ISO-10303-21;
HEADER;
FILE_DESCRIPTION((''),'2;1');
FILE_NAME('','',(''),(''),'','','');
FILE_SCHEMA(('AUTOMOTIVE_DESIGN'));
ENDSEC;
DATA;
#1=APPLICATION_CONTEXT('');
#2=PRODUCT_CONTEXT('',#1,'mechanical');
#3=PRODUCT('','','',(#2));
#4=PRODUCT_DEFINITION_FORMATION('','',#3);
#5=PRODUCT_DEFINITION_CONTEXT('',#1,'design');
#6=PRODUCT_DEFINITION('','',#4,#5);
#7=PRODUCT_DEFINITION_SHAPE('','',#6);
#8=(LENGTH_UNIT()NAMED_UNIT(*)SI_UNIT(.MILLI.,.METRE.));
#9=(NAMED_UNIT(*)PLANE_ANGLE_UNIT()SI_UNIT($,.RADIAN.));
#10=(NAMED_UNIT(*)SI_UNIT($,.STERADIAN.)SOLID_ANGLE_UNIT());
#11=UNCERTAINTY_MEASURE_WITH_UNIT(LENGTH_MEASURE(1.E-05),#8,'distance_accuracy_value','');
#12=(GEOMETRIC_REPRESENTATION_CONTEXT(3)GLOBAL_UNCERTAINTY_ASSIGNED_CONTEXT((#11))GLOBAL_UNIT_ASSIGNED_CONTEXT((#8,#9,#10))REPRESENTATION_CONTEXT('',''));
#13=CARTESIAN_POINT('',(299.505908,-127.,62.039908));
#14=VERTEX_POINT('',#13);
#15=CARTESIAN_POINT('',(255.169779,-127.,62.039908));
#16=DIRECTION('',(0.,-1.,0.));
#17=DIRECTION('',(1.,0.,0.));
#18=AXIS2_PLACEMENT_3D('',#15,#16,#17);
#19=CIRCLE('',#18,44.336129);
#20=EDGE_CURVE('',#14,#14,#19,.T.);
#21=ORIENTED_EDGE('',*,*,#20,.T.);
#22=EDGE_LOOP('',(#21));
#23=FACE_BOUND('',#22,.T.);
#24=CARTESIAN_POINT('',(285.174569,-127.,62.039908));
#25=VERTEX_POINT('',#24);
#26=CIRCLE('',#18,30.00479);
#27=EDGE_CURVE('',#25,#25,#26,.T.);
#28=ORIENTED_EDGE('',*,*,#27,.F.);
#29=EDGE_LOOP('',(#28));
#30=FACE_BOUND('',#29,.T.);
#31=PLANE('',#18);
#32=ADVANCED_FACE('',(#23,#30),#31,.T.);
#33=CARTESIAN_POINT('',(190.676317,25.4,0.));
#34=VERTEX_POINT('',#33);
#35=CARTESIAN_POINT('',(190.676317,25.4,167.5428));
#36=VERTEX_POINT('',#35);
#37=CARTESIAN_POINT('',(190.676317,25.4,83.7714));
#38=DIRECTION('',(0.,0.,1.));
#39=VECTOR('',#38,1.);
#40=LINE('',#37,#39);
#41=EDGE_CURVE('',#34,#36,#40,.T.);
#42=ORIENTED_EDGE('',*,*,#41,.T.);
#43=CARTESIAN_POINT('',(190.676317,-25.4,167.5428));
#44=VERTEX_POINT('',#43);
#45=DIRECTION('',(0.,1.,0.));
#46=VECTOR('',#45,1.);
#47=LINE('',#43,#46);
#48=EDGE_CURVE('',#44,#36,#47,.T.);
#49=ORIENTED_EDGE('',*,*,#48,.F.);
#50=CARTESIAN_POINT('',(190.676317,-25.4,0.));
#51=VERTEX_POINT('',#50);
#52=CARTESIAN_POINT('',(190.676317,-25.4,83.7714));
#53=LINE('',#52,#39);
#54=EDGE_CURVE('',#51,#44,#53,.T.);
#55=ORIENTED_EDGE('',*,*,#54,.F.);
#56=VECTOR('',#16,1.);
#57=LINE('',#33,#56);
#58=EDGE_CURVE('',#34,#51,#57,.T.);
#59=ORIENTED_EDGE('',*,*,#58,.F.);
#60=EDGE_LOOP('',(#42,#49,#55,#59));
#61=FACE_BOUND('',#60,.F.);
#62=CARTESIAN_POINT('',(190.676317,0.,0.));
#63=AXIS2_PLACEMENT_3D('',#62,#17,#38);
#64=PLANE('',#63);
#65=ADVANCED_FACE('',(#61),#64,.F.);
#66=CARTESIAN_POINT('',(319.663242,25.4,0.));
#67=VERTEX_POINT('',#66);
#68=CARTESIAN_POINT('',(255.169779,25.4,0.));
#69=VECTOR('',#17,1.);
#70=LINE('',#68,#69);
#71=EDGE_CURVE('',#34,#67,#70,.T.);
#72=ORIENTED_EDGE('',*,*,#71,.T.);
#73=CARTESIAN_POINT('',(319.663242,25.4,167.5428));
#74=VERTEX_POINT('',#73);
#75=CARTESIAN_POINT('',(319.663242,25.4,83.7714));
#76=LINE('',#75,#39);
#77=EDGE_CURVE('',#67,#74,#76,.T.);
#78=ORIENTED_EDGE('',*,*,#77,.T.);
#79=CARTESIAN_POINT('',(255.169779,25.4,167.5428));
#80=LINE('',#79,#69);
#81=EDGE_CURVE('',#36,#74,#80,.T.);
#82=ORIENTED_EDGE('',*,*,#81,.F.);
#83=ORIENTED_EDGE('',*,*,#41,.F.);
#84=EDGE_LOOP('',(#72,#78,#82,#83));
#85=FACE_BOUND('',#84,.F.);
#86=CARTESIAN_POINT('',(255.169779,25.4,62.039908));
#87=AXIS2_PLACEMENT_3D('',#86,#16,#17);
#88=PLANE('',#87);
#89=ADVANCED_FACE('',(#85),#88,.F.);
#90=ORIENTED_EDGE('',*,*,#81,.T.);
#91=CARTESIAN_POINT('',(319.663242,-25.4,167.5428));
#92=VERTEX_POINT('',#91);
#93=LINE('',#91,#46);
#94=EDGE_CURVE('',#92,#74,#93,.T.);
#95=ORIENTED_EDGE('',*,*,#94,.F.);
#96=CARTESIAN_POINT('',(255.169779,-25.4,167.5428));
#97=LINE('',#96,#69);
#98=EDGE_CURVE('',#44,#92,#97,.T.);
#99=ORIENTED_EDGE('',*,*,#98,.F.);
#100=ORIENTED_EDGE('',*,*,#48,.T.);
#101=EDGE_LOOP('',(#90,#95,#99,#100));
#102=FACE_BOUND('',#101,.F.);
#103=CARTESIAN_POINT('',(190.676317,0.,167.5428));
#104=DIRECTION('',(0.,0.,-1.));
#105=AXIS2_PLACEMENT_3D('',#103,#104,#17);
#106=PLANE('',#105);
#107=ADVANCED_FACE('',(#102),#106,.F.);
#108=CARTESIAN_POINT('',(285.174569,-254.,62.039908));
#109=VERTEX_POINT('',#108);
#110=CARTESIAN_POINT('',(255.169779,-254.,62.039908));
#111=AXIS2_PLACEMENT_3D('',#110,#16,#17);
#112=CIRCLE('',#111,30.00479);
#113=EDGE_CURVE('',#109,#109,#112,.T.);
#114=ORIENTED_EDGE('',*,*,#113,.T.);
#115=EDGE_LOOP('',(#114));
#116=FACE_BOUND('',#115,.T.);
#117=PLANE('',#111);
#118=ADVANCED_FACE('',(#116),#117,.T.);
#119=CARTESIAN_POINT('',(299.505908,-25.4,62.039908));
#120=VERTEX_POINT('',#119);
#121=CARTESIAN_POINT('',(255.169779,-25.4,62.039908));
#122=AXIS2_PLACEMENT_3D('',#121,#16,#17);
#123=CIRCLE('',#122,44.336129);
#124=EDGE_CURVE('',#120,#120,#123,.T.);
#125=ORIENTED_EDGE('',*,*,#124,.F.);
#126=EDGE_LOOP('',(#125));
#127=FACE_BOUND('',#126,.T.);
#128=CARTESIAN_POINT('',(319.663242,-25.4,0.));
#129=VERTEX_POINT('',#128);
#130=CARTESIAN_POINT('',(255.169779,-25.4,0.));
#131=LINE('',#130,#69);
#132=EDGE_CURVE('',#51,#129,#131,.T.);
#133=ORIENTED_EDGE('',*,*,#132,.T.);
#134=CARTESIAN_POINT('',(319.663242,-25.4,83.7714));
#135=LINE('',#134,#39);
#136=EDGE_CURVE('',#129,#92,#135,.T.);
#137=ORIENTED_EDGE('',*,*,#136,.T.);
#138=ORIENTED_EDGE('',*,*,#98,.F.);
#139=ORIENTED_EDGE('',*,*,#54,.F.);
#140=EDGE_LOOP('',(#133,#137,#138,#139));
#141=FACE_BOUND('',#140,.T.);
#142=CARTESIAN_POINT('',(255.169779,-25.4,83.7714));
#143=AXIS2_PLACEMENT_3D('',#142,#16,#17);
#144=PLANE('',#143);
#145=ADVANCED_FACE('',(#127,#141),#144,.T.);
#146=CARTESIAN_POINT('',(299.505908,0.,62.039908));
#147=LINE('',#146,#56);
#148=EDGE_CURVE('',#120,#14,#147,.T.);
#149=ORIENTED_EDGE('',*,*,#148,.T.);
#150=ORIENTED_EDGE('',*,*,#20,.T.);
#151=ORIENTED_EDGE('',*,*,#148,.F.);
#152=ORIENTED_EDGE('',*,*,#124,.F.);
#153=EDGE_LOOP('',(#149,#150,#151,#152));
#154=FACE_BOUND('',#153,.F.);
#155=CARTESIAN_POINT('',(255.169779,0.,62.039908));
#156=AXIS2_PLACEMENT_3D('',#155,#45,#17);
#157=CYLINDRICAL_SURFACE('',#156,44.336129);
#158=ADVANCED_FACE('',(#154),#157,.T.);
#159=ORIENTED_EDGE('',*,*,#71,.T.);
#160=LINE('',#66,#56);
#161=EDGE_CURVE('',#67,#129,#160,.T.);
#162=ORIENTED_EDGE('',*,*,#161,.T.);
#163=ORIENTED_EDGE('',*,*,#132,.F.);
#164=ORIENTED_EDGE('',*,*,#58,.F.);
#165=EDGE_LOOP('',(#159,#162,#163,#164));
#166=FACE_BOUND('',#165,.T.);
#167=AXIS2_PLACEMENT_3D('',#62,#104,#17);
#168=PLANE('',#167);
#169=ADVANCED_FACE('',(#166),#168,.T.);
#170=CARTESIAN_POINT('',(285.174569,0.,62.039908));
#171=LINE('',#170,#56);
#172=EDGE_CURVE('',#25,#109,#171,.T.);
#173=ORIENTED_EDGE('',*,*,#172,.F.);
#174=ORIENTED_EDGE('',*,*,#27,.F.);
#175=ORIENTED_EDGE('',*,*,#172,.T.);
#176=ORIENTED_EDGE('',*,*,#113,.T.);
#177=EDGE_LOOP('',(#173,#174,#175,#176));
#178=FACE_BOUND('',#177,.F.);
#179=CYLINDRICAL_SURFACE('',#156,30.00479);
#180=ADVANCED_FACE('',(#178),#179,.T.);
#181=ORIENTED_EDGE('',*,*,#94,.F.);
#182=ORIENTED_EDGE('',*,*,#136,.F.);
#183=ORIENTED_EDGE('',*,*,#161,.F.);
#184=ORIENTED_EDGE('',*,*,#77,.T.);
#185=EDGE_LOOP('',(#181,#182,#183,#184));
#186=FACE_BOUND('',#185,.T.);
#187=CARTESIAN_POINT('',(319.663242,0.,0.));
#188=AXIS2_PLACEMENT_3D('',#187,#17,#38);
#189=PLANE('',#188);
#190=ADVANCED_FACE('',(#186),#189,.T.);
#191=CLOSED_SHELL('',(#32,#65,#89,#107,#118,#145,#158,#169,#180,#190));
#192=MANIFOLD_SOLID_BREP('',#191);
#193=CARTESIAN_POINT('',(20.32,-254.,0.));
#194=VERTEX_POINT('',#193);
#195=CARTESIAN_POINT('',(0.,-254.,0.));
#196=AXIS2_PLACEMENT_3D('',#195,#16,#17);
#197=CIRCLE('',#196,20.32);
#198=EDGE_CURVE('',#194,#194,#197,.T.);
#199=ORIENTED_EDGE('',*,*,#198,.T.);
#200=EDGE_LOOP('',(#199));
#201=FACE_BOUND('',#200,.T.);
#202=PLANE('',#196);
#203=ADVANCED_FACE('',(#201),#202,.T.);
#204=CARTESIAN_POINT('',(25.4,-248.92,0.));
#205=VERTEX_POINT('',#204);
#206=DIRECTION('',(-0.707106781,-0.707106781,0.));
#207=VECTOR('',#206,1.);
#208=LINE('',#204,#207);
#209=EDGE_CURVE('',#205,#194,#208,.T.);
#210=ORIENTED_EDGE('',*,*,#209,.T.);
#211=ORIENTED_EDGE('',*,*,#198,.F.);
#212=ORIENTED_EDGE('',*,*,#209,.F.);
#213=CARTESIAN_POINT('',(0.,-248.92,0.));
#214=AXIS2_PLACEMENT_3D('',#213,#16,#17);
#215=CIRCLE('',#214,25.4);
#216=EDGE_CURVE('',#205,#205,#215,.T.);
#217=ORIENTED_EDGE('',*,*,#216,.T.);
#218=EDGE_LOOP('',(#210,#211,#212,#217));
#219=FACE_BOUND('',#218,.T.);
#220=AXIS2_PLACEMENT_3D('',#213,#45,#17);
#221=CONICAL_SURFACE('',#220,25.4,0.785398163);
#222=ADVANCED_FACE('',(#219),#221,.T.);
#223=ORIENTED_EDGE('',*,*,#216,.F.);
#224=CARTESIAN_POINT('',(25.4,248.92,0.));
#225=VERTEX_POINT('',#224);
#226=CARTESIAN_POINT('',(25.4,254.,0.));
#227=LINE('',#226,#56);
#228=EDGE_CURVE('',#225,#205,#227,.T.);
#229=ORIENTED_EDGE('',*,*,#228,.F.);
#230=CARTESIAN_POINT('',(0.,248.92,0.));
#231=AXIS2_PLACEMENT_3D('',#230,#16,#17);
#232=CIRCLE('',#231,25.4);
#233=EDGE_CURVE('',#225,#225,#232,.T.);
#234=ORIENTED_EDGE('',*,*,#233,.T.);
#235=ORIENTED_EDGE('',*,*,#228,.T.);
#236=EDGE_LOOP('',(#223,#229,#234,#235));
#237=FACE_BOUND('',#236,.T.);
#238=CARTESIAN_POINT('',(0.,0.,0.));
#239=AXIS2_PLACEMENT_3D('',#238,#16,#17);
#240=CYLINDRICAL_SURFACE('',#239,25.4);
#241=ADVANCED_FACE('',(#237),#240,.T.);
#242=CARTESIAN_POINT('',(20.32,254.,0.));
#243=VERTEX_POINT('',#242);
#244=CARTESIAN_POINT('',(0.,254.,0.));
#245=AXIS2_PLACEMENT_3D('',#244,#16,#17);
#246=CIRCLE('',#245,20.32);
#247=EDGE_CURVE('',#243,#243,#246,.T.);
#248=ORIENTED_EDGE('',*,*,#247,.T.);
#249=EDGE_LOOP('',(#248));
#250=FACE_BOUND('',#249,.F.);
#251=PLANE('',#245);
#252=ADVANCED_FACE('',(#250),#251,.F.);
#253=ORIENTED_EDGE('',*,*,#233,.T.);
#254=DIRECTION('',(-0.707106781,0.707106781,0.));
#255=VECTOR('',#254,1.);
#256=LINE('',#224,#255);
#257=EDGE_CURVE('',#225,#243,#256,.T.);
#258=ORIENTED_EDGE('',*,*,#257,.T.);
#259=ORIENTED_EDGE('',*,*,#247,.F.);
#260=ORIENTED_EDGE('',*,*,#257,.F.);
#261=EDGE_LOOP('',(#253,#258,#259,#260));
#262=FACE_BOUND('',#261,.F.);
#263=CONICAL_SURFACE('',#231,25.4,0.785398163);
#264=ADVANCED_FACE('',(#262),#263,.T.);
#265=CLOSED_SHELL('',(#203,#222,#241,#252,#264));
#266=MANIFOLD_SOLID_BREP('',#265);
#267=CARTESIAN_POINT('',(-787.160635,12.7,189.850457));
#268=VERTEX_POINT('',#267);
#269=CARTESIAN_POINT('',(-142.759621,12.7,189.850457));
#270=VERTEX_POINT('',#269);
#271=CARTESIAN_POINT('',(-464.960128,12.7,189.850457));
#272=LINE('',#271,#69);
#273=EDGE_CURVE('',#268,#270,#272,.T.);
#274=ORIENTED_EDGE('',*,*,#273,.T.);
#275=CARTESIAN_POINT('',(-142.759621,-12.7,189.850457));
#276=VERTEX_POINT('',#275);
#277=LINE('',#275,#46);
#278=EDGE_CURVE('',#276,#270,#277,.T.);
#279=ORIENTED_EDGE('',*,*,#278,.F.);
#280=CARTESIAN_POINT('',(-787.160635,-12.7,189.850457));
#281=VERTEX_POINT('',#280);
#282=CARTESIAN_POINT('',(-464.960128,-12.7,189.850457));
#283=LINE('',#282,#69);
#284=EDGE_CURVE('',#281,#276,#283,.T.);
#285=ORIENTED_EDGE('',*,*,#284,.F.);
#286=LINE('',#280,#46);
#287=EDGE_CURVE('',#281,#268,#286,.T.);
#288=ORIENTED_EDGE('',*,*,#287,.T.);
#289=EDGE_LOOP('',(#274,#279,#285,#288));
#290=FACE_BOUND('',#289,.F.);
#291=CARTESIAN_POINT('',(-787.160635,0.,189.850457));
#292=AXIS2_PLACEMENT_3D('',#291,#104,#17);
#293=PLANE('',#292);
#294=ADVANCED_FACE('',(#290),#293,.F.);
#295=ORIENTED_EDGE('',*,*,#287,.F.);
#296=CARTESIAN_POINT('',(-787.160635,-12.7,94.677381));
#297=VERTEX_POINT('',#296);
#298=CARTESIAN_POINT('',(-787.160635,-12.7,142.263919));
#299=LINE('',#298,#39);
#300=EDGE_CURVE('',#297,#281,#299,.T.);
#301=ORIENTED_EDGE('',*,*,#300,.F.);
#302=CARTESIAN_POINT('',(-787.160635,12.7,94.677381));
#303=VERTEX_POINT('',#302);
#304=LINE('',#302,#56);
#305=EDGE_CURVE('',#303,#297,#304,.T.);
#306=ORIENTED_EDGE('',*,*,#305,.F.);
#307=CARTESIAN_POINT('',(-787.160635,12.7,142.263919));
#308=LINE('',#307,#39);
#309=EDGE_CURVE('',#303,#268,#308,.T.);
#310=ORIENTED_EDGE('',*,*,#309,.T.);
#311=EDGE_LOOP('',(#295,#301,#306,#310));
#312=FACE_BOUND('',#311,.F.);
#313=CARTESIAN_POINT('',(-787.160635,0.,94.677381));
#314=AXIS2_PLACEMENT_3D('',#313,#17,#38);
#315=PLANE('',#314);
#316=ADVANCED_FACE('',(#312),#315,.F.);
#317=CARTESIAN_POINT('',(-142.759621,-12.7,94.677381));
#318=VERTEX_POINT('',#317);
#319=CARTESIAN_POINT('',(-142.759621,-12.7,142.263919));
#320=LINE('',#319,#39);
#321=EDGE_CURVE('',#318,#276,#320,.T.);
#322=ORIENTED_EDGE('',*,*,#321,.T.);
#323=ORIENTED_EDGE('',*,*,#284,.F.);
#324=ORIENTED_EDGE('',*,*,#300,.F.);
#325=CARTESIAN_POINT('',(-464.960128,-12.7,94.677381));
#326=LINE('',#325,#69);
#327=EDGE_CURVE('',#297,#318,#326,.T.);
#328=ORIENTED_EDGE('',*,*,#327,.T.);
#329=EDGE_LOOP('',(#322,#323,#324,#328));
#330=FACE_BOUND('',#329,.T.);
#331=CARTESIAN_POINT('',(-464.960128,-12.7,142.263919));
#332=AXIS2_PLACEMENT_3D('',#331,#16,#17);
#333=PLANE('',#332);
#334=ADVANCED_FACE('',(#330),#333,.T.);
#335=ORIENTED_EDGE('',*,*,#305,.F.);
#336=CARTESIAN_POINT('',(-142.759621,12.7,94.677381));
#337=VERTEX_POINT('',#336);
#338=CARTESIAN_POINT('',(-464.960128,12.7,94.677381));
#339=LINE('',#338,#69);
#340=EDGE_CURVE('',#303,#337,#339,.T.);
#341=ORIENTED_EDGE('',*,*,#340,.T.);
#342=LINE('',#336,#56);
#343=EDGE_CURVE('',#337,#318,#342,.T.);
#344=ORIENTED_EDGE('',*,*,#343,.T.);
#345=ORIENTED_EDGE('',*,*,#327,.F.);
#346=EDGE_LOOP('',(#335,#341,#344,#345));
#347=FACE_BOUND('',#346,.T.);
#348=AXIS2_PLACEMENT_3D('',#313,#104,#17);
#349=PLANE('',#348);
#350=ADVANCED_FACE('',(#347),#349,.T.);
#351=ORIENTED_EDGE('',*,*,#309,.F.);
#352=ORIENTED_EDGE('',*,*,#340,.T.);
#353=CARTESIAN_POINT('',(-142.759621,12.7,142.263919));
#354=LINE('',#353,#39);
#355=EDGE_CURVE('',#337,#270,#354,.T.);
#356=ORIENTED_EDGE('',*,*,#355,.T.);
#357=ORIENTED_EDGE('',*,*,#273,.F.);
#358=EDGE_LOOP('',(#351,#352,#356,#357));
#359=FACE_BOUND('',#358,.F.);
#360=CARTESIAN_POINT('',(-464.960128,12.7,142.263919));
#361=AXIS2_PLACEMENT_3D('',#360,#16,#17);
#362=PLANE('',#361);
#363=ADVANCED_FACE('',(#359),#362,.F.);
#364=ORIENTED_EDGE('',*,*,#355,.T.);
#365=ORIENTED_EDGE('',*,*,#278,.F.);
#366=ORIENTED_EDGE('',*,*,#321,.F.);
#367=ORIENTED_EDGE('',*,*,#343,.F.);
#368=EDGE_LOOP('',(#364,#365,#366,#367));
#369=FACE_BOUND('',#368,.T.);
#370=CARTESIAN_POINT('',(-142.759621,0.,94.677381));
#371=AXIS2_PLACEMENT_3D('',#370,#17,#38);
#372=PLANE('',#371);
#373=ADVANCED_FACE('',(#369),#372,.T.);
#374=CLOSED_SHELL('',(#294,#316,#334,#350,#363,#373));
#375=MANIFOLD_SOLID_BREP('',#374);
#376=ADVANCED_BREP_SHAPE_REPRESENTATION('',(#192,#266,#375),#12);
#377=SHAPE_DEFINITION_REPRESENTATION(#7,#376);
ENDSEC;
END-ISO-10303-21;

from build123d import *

# Parameters (mm, degrees)
F0_R          = 25.4
F1_DEPTH      = 254
F2_SIZE       = 5.08
F3_W          = 128.986925
F3_H          = 167.5428
F3_R          = 44.336129
F4_DEPTH      = 25.4
F3_R_2        = 30.00479
F5_DEPTH      = 127
F5_DEPTH_BACK = 25.4
F6_DEPTH      = 254
F6_DEPTH_BACK = 25.4
F7_W          = 644.401014
F7_H          = 95.173076
F8_DEPTH      = 12.7


with BuildPart() as f1:
    # F0 (on Front) → F1 (new body, symmetric)
    with BuildSketch(Plane.XZ):
        Circle(F0_R)
    extrude(amount=F1_DEPTH, both=True)

    # F2
    f2_edges = [f1.edges().sort_by_distance(p)[0] for p in [
        (-25.4, 254, 0),
        (-25.4, -254, 0),
    ]]
    chamfer(f2_edges, length=F2_SIZE)


with BuildPart() as f4:
    # F3 (on Front) → F4 (new body, symmetric)
    with BuildSketch(Plane.XZ):
        with Locations((255.169779, 83.7714)):
            Rectangle(F3_W, F3_H)
        with Locations((255.169779, 62.039908)):
            Circle(F3_R, mode=Mode.SUBTRACT)
    extrude(amount=F4_DEPTH, both=True)

    # F3 (on Front) → F5 (join, two sides)
    with BuildSketch(Plane.XZ) as f5_sk:
        with Locations((255.169779, 62.039908)):
            Circle(F3_R)
        with Locations((255.169779, 62.039908)):
            Circle(F3_R_2, mode=Mode.SUBTRACT)
    extrude(amount=F5_DEPTH)
    extrude(f5_sk.sketch, amount=-F5_DEPTH_BACK)

    # F3 (on Front) → F6 (join, two sides)
    with BuildSketch(Plane.XZ) as f6_sk:
        with Locations((255.169779, 62.039908)):
            Circle(F3_R_2)
    extrude(amount=F6_DEPTH)
    extrude(f6_sk.sketch, amount=-F6_DEPTH_BACK)


with BuildPart() as f8:
    # F7 (on Front) → F8 (new body, symmetric)
    with BuildSketch(Plane.XZ):
        with Locations((-464.960128, 142.263919)):
            Rectangle(F7_W, F7_H)
    extrude(amount=F8_DEPTH, both=True)


solid = Compound([f1.part, f4.part, f8.part])
